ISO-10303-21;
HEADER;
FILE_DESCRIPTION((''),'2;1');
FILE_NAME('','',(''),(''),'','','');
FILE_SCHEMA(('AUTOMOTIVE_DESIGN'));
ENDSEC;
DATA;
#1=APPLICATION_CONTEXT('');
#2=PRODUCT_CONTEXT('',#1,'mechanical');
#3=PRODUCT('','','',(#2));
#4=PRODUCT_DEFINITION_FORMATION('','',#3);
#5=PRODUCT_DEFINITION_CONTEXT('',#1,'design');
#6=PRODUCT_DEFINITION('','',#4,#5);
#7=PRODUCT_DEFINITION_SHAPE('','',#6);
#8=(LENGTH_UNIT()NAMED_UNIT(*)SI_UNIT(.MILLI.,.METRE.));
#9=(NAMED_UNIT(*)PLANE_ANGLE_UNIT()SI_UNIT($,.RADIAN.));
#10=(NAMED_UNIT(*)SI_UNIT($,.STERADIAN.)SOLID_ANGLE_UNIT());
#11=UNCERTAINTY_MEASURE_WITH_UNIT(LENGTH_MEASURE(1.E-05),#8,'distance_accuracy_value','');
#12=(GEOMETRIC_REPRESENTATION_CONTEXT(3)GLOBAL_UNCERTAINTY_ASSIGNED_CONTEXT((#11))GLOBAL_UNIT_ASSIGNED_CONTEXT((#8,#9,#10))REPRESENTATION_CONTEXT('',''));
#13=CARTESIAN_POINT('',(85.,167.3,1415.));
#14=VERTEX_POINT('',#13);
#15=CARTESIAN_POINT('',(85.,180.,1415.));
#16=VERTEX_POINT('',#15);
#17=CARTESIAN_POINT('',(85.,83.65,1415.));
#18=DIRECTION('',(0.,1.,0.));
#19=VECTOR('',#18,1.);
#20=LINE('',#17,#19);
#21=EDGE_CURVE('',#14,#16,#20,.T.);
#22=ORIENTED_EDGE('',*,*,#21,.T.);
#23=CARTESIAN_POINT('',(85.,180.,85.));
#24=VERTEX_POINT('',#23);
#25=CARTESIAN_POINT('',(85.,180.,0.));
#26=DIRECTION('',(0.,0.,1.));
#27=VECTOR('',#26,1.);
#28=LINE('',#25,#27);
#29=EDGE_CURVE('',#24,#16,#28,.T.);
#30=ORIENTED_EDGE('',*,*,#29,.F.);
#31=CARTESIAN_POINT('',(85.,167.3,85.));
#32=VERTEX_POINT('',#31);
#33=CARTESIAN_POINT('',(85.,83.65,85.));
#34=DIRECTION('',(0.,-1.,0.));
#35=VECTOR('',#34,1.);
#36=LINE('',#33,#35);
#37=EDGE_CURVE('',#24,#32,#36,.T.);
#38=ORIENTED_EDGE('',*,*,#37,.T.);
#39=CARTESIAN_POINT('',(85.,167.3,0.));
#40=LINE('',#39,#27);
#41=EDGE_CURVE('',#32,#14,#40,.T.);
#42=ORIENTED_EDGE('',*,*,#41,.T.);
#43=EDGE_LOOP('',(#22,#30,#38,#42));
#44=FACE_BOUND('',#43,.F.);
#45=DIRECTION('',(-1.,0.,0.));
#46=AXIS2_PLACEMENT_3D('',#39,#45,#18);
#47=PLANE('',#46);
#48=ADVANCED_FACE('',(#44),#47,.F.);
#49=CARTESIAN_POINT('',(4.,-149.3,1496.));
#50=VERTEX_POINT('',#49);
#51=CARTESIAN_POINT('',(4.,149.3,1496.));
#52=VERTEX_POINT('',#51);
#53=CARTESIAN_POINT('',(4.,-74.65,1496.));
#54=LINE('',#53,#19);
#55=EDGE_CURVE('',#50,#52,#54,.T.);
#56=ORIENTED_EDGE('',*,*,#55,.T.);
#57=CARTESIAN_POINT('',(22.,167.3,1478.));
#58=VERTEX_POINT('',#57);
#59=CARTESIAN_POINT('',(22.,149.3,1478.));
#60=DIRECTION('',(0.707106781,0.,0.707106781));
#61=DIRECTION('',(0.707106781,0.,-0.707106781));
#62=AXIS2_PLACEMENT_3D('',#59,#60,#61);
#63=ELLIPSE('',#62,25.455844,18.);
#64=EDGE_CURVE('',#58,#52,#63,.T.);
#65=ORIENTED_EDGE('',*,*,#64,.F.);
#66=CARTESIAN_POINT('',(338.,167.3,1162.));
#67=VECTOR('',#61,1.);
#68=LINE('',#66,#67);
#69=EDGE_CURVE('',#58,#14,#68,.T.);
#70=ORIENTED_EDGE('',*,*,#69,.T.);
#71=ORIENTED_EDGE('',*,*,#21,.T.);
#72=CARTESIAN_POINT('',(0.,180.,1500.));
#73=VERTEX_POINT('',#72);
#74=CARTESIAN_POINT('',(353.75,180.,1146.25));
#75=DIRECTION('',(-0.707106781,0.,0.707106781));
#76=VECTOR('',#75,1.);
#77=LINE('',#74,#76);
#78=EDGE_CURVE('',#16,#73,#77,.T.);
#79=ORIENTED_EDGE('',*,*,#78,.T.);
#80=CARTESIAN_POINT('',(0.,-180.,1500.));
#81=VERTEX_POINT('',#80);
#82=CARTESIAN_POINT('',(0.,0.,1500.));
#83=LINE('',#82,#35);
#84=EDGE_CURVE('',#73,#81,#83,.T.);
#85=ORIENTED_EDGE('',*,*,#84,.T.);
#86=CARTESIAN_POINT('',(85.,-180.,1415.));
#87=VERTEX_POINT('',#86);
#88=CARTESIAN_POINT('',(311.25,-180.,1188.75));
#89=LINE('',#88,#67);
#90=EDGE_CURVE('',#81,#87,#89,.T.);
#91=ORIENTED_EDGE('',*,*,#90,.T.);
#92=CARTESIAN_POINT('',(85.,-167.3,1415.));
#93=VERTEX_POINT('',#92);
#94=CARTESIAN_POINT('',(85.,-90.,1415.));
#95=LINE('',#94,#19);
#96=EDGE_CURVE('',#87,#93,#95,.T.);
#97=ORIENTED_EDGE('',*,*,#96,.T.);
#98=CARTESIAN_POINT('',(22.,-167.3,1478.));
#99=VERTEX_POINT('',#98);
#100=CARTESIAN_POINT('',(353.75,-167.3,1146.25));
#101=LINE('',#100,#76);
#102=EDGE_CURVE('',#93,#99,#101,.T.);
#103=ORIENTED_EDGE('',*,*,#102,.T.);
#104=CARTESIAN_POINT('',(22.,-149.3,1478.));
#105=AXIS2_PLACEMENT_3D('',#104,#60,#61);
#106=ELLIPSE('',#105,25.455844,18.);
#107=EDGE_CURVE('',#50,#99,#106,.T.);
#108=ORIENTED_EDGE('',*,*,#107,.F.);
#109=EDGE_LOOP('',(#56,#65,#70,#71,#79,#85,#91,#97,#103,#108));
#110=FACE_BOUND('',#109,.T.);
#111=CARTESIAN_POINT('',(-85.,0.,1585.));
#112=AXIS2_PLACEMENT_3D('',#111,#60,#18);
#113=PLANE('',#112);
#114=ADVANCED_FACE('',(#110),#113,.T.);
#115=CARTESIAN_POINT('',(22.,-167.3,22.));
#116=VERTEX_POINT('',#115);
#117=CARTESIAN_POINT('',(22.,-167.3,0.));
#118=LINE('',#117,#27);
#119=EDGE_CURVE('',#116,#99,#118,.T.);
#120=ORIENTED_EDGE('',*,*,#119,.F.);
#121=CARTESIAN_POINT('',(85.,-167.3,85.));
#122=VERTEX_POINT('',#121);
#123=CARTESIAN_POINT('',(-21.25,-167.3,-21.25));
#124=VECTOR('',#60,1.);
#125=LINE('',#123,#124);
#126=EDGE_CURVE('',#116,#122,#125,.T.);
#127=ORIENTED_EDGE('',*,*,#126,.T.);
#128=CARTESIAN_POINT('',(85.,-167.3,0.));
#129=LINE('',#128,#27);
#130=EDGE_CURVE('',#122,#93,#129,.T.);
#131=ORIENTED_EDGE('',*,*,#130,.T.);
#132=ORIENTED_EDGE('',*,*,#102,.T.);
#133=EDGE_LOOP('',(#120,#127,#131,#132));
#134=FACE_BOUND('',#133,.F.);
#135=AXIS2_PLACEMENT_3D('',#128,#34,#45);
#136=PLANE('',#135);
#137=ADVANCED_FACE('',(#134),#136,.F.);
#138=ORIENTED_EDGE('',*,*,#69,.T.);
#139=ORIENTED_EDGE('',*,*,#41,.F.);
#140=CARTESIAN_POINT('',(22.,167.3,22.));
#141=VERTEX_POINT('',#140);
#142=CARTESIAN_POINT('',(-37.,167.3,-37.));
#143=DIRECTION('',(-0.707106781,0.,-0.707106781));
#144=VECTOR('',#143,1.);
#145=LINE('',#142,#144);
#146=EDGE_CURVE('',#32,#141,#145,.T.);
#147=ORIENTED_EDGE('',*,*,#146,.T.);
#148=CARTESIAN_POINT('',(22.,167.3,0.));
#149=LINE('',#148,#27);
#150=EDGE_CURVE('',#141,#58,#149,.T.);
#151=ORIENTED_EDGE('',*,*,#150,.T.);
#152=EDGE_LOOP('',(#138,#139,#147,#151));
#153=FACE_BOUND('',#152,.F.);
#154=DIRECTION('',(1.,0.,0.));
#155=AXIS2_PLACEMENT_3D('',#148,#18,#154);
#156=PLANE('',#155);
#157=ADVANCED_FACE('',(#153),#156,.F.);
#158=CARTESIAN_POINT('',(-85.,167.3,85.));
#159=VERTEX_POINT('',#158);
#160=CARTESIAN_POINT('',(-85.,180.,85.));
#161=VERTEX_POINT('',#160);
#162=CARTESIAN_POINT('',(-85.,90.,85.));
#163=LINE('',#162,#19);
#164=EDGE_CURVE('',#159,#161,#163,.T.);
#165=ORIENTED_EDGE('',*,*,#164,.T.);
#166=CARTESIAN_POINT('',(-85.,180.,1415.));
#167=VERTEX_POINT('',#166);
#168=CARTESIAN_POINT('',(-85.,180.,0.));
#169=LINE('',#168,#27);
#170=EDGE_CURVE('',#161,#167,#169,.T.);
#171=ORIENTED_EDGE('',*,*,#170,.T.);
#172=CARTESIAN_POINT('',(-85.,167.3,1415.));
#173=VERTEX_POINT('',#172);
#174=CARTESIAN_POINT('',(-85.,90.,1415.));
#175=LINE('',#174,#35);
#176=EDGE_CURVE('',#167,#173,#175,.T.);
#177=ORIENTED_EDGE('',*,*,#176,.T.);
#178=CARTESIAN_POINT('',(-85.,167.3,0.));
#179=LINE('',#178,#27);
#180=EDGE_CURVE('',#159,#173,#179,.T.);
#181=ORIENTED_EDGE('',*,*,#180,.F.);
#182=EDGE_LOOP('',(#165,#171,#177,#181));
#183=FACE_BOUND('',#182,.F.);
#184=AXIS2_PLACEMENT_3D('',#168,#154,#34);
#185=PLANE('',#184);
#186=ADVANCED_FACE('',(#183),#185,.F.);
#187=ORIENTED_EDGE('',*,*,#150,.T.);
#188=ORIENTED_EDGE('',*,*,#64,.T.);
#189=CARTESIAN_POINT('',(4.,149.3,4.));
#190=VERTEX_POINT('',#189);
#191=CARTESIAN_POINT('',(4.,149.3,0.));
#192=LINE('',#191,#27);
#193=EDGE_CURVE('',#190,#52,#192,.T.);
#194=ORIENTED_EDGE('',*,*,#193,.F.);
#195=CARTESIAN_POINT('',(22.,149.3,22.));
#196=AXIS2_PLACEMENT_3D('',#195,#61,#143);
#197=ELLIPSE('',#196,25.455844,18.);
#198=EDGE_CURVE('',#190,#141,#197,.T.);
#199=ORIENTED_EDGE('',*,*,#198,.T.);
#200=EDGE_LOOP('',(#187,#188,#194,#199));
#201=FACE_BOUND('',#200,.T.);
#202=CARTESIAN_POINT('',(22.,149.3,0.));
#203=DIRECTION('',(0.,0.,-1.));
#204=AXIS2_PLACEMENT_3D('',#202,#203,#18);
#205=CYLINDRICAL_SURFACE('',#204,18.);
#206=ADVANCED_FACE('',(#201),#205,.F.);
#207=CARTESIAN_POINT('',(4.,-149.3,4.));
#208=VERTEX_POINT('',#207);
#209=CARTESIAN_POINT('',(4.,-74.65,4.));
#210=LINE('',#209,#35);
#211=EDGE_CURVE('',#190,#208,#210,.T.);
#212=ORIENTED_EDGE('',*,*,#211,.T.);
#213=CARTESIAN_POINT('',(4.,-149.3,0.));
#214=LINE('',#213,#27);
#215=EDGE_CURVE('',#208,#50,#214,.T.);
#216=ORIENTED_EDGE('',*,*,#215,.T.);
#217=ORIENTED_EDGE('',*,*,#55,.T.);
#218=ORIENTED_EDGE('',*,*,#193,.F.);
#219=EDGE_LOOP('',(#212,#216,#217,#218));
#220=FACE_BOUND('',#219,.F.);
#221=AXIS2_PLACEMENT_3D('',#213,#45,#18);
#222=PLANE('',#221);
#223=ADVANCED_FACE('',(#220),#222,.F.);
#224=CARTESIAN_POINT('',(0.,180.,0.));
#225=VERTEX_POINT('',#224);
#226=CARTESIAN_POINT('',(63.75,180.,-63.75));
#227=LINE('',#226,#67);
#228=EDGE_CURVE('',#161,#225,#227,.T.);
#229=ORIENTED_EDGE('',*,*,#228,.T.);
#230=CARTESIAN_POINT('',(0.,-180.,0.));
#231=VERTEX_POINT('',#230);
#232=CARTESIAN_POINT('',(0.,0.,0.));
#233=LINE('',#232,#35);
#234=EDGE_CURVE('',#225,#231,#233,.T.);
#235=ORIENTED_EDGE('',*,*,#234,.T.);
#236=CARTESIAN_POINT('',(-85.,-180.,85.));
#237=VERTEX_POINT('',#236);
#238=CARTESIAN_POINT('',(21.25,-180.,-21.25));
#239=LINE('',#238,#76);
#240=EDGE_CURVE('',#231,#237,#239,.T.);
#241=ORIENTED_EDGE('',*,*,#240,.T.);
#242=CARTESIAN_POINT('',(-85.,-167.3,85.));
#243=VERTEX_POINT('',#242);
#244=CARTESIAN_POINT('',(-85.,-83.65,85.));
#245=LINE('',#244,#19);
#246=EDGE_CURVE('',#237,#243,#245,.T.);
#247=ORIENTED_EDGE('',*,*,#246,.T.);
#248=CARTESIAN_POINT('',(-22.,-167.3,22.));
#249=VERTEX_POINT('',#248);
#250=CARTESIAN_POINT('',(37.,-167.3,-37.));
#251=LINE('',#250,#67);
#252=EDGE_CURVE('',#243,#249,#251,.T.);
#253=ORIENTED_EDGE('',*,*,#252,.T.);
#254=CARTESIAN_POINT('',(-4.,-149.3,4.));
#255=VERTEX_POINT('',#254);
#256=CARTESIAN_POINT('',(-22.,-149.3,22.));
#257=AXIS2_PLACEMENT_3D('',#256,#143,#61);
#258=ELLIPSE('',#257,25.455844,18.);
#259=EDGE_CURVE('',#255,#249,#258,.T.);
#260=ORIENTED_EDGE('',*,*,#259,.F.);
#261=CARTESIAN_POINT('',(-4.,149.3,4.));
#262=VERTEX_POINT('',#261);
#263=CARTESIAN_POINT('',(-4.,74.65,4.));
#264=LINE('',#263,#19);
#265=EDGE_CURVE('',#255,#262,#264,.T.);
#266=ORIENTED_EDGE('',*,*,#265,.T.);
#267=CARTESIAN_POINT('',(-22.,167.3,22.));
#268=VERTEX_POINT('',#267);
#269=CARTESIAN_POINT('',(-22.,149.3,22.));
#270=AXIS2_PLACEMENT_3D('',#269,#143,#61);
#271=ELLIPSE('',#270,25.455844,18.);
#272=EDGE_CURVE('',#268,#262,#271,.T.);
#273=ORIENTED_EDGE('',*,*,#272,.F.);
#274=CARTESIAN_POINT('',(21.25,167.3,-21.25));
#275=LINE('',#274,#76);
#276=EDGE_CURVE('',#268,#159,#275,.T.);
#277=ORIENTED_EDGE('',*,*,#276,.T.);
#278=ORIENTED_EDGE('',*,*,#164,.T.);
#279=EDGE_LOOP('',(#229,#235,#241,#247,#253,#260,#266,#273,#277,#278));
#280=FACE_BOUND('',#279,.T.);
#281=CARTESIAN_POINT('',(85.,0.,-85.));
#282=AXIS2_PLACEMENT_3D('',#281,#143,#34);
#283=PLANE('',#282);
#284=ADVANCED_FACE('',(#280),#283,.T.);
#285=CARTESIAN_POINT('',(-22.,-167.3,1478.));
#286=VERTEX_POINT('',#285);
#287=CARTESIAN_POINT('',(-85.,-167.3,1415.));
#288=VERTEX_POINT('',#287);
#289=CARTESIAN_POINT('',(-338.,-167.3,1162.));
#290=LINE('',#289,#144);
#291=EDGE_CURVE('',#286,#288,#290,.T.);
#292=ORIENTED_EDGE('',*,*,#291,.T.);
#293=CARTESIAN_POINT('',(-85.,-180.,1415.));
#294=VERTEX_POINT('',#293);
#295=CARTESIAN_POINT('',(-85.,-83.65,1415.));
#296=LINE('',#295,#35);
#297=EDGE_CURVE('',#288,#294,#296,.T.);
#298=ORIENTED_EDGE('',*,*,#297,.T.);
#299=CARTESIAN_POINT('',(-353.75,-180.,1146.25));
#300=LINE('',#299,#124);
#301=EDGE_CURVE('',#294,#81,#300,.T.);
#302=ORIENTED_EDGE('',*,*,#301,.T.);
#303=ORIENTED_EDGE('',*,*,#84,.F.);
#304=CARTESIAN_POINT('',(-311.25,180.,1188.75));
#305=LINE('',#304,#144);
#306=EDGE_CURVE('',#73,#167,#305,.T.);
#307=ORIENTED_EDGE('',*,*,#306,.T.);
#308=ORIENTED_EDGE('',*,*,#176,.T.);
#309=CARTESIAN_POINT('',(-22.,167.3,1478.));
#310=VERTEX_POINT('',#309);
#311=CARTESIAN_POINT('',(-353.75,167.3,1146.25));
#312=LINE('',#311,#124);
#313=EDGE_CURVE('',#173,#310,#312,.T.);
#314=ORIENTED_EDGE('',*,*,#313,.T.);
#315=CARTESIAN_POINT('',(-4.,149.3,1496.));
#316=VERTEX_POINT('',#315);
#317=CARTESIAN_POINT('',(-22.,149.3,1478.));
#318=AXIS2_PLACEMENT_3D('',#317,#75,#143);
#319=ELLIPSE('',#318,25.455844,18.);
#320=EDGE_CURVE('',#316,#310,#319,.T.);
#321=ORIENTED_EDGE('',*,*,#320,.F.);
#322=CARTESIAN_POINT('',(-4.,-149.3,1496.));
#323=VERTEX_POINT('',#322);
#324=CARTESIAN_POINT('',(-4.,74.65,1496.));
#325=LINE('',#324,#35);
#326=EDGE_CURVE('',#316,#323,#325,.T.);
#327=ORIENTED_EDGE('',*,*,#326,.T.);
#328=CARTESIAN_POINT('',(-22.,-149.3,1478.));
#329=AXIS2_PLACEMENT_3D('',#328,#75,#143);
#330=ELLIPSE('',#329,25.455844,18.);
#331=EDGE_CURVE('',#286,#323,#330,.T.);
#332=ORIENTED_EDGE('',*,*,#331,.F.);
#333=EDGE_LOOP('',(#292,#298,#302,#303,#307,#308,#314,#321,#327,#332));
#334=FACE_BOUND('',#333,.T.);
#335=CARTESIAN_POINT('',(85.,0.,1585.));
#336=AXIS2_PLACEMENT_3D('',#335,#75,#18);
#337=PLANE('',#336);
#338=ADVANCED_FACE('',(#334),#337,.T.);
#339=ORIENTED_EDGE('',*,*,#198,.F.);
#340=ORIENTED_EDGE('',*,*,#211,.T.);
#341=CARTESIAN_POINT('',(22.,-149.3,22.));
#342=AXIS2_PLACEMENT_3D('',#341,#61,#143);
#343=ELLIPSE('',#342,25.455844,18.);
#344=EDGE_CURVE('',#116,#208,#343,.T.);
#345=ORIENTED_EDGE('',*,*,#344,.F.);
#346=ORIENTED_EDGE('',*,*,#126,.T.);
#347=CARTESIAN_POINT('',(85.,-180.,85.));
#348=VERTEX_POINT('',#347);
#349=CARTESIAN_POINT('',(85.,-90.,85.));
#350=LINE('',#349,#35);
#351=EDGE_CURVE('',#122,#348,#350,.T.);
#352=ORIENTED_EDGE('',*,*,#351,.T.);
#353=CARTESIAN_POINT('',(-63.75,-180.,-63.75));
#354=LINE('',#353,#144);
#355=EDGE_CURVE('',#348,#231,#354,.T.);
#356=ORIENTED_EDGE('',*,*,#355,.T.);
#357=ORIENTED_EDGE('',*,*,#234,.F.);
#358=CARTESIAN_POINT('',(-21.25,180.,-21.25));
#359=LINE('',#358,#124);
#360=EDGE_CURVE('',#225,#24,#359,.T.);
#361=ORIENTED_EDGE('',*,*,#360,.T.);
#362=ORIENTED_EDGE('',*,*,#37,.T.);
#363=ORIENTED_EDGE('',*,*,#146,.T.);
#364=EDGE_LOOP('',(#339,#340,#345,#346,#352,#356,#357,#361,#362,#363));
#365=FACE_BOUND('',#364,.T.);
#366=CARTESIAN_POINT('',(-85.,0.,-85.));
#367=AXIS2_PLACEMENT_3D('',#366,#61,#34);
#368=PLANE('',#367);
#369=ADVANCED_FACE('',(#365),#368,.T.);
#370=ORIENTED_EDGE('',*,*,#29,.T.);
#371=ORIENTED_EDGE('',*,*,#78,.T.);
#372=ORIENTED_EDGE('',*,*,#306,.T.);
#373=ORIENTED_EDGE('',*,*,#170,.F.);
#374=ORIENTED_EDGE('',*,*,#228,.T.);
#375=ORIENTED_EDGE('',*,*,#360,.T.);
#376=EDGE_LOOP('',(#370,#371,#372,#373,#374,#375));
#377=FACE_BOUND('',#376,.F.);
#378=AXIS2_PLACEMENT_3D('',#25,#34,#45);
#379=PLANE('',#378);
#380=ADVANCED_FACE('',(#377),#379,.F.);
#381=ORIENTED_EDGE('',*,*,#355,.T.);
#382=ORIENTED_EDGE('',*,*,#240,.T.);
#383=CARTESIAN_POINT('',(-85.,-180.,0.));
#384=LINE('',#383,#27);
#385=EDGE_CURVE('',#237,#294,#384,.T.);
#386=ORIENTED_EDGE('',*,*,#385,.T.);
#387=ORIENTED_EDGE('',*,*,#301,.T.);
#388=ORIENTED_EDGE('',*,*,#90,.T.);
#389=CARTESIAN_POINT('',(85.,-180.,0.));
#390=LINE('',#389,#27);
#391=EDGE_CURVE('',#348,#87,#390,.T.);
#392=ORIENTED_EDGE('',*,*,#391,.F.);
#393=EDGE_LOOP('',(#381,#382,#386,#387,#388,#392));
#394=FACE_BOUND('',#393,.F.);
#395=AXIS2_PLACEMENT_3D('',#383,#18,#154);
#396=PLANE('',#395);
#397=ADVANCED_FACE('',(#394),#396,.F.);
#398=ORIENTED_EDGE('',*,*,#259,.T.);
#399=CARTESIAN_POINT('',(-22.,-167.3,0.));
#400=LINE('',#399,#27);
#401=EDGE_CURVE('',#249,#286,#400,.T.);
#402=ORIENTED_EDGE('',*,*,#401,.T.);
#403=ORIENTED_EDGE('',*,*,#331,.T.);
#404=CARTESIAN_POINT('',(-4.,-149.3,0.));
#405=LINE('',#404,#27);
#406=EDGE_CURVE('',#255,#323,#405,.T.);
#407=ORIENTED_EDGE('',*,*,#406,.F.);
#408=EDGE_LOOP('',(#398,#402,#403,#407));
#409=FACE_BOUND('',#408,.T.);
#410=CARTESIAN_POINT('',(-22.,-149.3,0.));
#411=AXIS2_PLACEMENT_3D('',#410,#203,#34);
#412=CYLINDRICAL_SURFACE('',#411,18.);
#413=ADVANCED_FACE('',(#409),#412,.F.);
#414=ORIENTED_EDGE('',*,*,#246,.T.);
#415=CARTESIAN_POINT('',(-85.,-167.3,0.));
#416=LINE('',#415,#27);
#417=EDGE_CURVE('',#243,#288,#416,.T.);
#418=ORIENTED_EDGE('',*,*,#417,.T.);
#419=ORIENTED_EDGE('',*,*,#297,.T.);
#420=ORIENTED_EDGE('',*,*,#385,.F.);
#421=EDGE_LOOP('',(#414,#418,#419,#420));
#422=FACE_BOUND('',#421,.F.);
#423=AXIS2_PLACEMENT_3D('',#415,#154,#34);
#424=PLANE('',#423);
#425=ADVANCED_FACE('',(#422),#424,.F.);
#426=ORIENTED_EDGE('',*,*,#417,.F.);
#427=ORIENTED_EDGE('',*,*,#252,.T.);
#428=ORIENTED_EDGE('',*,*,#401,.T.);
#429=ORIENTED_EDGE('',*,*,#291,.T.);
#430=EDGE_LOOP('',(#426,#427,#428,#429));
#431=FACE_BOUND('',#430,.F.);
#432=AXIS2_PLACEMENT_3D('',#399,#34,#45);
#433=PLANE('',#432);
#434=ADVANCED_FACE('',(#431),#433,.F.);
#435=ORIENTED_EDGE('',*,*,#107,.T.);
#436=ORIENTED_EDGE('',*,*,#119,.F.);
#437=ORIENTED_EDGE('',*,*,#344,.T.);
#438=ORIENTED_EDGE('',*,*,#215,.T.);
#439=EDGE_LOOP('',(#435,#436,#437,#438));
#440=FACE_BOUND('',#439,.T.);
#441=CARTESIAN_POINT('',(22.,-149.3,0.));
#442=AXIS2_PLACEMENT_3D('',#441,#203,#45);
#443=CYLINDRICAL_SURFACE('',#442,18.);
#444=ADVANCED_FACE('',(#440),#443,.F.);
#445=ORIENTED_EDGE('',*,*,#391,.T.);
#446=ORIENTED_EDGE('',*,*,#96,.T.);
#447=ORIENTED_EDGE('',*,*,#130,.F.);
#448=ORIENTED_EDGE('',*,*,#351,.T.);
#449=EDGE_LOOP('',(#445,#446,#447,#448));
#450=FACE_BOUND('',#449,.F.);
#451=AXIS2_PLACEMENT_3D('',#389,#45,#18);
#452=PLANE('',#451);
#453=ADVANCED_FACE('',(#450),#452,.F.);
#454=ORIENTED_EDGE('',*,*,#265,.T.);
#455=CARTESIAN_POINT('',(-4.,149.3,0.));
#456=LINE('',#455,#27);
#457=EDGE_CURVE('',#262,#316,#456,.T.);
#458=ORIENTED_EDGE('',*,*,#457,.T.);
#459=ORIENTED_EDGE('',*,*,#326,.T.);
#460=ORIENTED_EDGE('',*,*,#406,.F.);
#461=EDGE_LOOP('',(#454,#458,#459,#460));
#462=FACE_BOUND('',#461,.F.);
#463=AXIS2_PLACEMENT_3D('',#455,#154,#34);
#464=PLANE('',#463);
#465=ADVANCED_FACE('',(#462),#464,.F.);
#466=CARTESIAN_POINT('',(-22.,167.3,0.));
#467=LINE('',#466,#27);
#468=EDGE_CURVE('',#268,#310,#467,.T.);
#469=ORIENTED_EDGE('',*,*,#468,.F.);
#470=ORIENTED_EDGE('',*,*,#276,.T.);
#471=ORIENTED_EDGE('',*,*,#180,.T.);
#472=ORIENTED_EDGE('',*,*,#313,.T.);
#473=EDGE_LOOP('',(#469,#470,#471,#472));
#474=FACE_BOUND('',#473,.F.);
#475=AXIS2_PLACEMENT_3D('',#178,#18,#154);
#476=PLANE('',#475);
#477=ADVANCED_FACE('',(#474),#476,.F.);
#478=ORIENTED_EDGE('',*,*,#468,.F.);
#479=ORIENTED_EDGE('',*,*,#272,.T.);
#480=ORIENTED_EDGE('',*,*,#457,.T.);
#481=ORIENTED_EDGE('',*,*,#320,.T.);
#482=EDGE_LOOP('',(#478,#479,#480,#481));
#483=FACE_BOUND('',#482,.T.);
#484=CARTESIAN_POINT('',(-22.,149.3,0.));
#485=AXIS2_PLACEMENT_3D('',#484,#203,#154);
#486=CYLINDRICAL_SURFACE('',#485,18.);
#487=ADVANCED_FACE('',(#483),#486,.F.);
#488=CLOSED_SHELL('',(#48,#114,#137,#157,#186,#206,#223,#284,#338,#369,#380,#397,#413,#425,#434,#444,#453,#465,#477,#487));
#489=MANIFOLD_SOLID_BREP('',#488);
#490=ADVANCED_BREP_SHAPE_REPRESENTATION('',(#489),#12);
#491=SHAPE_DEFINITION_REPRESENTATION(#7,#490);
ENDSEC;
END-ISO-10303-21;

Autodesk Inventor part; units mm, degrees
ref_plane "Start Plane" through (0, 0, 0) normal (0, 0, 1) x (1, 0, 0)
ref_plane "End Plane" through (0, 0, 1500) normal (0, 0, 1) x (1, 0, 0)
sketch "Sketch" plane through (0, 0, 0) normal (0, 0, 1) x (1, 0, 0)
  line L0 (-85, 167.3) -> (-22, 167.3)
  line L1 (-85, 180) -> (-85, 167.3)
  line L2 (85, 180) -> (-85, 180)
  line L3 (85, 167.3) -> (85, 180)
  line L4 (22, 167.3) -> (85, 167.3)
  line L5 (4, -149.3) -> (4, 149.3)
  line L6 (85, -167.3) -> (22, -167.3)
  line L7 (85, -180) -> (85, -167.3)
  line L8 (-85, -167.3) -> (-85, -180)
  line L9 (-22, -167.3) -> (-85, -167.3)
  line L10 (-4, 149.3) -> (-4, -149.3)
  line L11 (0, -252) -> (0, 252) construction
  line L12 (-4, -167.3) -> (4, -167.3) construction
  arc A0 (-22, -167.3) -> (-4, -149.3) centre (-22, -149.3) ccw
  arc A1 (-4, 149.3) -> (-22, 167.3) centre (-22, 149.3) ccw
  arc A2 (22, 167.3) -> (4, 149.3) centre (22, 149.3) ccw
  arc A3 (4, -149.3) -> (22, -167.3) centre (22, -149.3) ccw
  line L13 (-119, 0) -> (119, 0) construction
  line L14 (-85, -180) -> (85, -180)
  point P0 (-4, 167.3)
  point P1 (4, 167.3)
  point P2 (0, 0)
  point P3 (0, -167.3)
  point P4 (0, 0)
  dimension "d1" = 360
  dimension "d3" = 12.7
  dimension "d5" = 8
  dimension "d7" = 170
  dimension "d13" = 18
  dimension "d14" = 180
  dimension "d15" = 85
extrude "Body" add sketch "Sketch" along normal up to surface (1500 mm away) from surface at 0
sketch "Sketch3" plane through (0, 0, 0) normal (0, 0, 1) x (1, 0, 0)
  line L0 (0, 0) -> (10, 0)
ref_plane "Work Plane3" through (0, 0, 0) normal (0, -1, 0) x (1, 0, 0)
ref_plane "Work Plane4" through (85, 0, 1585) normal (-0.7071, 0, 0.7071) x (0.7071, 0, 0.7071)
split "Split1" plane through (85, 0, 1585) removes the side toward (-0.7071, 0, 0.7071)
ref_plane "Work Plane5" through (85, 0, -85) normal (-0.7071, 0, -0.7071) x (-0.7071, 0, 0.7071)
split "Split2" plane through (85, 0, -85) removes the side toward (-0.7071, 0, -0.7071)
ref_plane "Work Plane6" through (-85, 0, 1585) normal (0.7071, 0, 0.7071) x (0.7071, 0, -0.7071)
split "Split3" plane through (-85, 0, 1585) removes the side toward (0.7071, 0, 0.7071)
ref_plane "Work Plane7" through (-85, 0, -85) normal (0.7071, 0, -0.7071) x (-0.7071, 0, -0.7071)
split "Split4" plane through (-85, 0, -85) removes the side toward (0.7071, 0, -0.7071)
sketch "Sketch4" plane through (0, 0, 0) normal (0, -1, 0) x (1, 0, 0)
  line L0 (-2, 0) -> (12, 0) projected
  line L1 (-2, 1500) -> (12, 1500) projected
  dimension "d19" = 1500
equation "\"d1\" = ParH"
equation "\"d3\" = t2"
equation "\"d5\" = t1"
equation "\"d7\" = b"
equation "\"d13\" = R1"
equation "\"d14\" = 0.5 * d1"
equation "\"d15\" = 0.5 * d7"
equation "\"d8\" = G_L"
equation "\"b\" = 170"
equation "\"ParH\" = 360"
equation "\"R1\" = 18"
equation "\"G_L\" = d19"
equation "\"t1\" = 8"
equation "\"t2\" = 12.7"
equation "\"G_OFFSET_START\" = 0"
equation "\"G_OFFSET_END\" = 0"
properties part number "DIN 1025 - IPE 360-1500" material "Steel, Mild"
